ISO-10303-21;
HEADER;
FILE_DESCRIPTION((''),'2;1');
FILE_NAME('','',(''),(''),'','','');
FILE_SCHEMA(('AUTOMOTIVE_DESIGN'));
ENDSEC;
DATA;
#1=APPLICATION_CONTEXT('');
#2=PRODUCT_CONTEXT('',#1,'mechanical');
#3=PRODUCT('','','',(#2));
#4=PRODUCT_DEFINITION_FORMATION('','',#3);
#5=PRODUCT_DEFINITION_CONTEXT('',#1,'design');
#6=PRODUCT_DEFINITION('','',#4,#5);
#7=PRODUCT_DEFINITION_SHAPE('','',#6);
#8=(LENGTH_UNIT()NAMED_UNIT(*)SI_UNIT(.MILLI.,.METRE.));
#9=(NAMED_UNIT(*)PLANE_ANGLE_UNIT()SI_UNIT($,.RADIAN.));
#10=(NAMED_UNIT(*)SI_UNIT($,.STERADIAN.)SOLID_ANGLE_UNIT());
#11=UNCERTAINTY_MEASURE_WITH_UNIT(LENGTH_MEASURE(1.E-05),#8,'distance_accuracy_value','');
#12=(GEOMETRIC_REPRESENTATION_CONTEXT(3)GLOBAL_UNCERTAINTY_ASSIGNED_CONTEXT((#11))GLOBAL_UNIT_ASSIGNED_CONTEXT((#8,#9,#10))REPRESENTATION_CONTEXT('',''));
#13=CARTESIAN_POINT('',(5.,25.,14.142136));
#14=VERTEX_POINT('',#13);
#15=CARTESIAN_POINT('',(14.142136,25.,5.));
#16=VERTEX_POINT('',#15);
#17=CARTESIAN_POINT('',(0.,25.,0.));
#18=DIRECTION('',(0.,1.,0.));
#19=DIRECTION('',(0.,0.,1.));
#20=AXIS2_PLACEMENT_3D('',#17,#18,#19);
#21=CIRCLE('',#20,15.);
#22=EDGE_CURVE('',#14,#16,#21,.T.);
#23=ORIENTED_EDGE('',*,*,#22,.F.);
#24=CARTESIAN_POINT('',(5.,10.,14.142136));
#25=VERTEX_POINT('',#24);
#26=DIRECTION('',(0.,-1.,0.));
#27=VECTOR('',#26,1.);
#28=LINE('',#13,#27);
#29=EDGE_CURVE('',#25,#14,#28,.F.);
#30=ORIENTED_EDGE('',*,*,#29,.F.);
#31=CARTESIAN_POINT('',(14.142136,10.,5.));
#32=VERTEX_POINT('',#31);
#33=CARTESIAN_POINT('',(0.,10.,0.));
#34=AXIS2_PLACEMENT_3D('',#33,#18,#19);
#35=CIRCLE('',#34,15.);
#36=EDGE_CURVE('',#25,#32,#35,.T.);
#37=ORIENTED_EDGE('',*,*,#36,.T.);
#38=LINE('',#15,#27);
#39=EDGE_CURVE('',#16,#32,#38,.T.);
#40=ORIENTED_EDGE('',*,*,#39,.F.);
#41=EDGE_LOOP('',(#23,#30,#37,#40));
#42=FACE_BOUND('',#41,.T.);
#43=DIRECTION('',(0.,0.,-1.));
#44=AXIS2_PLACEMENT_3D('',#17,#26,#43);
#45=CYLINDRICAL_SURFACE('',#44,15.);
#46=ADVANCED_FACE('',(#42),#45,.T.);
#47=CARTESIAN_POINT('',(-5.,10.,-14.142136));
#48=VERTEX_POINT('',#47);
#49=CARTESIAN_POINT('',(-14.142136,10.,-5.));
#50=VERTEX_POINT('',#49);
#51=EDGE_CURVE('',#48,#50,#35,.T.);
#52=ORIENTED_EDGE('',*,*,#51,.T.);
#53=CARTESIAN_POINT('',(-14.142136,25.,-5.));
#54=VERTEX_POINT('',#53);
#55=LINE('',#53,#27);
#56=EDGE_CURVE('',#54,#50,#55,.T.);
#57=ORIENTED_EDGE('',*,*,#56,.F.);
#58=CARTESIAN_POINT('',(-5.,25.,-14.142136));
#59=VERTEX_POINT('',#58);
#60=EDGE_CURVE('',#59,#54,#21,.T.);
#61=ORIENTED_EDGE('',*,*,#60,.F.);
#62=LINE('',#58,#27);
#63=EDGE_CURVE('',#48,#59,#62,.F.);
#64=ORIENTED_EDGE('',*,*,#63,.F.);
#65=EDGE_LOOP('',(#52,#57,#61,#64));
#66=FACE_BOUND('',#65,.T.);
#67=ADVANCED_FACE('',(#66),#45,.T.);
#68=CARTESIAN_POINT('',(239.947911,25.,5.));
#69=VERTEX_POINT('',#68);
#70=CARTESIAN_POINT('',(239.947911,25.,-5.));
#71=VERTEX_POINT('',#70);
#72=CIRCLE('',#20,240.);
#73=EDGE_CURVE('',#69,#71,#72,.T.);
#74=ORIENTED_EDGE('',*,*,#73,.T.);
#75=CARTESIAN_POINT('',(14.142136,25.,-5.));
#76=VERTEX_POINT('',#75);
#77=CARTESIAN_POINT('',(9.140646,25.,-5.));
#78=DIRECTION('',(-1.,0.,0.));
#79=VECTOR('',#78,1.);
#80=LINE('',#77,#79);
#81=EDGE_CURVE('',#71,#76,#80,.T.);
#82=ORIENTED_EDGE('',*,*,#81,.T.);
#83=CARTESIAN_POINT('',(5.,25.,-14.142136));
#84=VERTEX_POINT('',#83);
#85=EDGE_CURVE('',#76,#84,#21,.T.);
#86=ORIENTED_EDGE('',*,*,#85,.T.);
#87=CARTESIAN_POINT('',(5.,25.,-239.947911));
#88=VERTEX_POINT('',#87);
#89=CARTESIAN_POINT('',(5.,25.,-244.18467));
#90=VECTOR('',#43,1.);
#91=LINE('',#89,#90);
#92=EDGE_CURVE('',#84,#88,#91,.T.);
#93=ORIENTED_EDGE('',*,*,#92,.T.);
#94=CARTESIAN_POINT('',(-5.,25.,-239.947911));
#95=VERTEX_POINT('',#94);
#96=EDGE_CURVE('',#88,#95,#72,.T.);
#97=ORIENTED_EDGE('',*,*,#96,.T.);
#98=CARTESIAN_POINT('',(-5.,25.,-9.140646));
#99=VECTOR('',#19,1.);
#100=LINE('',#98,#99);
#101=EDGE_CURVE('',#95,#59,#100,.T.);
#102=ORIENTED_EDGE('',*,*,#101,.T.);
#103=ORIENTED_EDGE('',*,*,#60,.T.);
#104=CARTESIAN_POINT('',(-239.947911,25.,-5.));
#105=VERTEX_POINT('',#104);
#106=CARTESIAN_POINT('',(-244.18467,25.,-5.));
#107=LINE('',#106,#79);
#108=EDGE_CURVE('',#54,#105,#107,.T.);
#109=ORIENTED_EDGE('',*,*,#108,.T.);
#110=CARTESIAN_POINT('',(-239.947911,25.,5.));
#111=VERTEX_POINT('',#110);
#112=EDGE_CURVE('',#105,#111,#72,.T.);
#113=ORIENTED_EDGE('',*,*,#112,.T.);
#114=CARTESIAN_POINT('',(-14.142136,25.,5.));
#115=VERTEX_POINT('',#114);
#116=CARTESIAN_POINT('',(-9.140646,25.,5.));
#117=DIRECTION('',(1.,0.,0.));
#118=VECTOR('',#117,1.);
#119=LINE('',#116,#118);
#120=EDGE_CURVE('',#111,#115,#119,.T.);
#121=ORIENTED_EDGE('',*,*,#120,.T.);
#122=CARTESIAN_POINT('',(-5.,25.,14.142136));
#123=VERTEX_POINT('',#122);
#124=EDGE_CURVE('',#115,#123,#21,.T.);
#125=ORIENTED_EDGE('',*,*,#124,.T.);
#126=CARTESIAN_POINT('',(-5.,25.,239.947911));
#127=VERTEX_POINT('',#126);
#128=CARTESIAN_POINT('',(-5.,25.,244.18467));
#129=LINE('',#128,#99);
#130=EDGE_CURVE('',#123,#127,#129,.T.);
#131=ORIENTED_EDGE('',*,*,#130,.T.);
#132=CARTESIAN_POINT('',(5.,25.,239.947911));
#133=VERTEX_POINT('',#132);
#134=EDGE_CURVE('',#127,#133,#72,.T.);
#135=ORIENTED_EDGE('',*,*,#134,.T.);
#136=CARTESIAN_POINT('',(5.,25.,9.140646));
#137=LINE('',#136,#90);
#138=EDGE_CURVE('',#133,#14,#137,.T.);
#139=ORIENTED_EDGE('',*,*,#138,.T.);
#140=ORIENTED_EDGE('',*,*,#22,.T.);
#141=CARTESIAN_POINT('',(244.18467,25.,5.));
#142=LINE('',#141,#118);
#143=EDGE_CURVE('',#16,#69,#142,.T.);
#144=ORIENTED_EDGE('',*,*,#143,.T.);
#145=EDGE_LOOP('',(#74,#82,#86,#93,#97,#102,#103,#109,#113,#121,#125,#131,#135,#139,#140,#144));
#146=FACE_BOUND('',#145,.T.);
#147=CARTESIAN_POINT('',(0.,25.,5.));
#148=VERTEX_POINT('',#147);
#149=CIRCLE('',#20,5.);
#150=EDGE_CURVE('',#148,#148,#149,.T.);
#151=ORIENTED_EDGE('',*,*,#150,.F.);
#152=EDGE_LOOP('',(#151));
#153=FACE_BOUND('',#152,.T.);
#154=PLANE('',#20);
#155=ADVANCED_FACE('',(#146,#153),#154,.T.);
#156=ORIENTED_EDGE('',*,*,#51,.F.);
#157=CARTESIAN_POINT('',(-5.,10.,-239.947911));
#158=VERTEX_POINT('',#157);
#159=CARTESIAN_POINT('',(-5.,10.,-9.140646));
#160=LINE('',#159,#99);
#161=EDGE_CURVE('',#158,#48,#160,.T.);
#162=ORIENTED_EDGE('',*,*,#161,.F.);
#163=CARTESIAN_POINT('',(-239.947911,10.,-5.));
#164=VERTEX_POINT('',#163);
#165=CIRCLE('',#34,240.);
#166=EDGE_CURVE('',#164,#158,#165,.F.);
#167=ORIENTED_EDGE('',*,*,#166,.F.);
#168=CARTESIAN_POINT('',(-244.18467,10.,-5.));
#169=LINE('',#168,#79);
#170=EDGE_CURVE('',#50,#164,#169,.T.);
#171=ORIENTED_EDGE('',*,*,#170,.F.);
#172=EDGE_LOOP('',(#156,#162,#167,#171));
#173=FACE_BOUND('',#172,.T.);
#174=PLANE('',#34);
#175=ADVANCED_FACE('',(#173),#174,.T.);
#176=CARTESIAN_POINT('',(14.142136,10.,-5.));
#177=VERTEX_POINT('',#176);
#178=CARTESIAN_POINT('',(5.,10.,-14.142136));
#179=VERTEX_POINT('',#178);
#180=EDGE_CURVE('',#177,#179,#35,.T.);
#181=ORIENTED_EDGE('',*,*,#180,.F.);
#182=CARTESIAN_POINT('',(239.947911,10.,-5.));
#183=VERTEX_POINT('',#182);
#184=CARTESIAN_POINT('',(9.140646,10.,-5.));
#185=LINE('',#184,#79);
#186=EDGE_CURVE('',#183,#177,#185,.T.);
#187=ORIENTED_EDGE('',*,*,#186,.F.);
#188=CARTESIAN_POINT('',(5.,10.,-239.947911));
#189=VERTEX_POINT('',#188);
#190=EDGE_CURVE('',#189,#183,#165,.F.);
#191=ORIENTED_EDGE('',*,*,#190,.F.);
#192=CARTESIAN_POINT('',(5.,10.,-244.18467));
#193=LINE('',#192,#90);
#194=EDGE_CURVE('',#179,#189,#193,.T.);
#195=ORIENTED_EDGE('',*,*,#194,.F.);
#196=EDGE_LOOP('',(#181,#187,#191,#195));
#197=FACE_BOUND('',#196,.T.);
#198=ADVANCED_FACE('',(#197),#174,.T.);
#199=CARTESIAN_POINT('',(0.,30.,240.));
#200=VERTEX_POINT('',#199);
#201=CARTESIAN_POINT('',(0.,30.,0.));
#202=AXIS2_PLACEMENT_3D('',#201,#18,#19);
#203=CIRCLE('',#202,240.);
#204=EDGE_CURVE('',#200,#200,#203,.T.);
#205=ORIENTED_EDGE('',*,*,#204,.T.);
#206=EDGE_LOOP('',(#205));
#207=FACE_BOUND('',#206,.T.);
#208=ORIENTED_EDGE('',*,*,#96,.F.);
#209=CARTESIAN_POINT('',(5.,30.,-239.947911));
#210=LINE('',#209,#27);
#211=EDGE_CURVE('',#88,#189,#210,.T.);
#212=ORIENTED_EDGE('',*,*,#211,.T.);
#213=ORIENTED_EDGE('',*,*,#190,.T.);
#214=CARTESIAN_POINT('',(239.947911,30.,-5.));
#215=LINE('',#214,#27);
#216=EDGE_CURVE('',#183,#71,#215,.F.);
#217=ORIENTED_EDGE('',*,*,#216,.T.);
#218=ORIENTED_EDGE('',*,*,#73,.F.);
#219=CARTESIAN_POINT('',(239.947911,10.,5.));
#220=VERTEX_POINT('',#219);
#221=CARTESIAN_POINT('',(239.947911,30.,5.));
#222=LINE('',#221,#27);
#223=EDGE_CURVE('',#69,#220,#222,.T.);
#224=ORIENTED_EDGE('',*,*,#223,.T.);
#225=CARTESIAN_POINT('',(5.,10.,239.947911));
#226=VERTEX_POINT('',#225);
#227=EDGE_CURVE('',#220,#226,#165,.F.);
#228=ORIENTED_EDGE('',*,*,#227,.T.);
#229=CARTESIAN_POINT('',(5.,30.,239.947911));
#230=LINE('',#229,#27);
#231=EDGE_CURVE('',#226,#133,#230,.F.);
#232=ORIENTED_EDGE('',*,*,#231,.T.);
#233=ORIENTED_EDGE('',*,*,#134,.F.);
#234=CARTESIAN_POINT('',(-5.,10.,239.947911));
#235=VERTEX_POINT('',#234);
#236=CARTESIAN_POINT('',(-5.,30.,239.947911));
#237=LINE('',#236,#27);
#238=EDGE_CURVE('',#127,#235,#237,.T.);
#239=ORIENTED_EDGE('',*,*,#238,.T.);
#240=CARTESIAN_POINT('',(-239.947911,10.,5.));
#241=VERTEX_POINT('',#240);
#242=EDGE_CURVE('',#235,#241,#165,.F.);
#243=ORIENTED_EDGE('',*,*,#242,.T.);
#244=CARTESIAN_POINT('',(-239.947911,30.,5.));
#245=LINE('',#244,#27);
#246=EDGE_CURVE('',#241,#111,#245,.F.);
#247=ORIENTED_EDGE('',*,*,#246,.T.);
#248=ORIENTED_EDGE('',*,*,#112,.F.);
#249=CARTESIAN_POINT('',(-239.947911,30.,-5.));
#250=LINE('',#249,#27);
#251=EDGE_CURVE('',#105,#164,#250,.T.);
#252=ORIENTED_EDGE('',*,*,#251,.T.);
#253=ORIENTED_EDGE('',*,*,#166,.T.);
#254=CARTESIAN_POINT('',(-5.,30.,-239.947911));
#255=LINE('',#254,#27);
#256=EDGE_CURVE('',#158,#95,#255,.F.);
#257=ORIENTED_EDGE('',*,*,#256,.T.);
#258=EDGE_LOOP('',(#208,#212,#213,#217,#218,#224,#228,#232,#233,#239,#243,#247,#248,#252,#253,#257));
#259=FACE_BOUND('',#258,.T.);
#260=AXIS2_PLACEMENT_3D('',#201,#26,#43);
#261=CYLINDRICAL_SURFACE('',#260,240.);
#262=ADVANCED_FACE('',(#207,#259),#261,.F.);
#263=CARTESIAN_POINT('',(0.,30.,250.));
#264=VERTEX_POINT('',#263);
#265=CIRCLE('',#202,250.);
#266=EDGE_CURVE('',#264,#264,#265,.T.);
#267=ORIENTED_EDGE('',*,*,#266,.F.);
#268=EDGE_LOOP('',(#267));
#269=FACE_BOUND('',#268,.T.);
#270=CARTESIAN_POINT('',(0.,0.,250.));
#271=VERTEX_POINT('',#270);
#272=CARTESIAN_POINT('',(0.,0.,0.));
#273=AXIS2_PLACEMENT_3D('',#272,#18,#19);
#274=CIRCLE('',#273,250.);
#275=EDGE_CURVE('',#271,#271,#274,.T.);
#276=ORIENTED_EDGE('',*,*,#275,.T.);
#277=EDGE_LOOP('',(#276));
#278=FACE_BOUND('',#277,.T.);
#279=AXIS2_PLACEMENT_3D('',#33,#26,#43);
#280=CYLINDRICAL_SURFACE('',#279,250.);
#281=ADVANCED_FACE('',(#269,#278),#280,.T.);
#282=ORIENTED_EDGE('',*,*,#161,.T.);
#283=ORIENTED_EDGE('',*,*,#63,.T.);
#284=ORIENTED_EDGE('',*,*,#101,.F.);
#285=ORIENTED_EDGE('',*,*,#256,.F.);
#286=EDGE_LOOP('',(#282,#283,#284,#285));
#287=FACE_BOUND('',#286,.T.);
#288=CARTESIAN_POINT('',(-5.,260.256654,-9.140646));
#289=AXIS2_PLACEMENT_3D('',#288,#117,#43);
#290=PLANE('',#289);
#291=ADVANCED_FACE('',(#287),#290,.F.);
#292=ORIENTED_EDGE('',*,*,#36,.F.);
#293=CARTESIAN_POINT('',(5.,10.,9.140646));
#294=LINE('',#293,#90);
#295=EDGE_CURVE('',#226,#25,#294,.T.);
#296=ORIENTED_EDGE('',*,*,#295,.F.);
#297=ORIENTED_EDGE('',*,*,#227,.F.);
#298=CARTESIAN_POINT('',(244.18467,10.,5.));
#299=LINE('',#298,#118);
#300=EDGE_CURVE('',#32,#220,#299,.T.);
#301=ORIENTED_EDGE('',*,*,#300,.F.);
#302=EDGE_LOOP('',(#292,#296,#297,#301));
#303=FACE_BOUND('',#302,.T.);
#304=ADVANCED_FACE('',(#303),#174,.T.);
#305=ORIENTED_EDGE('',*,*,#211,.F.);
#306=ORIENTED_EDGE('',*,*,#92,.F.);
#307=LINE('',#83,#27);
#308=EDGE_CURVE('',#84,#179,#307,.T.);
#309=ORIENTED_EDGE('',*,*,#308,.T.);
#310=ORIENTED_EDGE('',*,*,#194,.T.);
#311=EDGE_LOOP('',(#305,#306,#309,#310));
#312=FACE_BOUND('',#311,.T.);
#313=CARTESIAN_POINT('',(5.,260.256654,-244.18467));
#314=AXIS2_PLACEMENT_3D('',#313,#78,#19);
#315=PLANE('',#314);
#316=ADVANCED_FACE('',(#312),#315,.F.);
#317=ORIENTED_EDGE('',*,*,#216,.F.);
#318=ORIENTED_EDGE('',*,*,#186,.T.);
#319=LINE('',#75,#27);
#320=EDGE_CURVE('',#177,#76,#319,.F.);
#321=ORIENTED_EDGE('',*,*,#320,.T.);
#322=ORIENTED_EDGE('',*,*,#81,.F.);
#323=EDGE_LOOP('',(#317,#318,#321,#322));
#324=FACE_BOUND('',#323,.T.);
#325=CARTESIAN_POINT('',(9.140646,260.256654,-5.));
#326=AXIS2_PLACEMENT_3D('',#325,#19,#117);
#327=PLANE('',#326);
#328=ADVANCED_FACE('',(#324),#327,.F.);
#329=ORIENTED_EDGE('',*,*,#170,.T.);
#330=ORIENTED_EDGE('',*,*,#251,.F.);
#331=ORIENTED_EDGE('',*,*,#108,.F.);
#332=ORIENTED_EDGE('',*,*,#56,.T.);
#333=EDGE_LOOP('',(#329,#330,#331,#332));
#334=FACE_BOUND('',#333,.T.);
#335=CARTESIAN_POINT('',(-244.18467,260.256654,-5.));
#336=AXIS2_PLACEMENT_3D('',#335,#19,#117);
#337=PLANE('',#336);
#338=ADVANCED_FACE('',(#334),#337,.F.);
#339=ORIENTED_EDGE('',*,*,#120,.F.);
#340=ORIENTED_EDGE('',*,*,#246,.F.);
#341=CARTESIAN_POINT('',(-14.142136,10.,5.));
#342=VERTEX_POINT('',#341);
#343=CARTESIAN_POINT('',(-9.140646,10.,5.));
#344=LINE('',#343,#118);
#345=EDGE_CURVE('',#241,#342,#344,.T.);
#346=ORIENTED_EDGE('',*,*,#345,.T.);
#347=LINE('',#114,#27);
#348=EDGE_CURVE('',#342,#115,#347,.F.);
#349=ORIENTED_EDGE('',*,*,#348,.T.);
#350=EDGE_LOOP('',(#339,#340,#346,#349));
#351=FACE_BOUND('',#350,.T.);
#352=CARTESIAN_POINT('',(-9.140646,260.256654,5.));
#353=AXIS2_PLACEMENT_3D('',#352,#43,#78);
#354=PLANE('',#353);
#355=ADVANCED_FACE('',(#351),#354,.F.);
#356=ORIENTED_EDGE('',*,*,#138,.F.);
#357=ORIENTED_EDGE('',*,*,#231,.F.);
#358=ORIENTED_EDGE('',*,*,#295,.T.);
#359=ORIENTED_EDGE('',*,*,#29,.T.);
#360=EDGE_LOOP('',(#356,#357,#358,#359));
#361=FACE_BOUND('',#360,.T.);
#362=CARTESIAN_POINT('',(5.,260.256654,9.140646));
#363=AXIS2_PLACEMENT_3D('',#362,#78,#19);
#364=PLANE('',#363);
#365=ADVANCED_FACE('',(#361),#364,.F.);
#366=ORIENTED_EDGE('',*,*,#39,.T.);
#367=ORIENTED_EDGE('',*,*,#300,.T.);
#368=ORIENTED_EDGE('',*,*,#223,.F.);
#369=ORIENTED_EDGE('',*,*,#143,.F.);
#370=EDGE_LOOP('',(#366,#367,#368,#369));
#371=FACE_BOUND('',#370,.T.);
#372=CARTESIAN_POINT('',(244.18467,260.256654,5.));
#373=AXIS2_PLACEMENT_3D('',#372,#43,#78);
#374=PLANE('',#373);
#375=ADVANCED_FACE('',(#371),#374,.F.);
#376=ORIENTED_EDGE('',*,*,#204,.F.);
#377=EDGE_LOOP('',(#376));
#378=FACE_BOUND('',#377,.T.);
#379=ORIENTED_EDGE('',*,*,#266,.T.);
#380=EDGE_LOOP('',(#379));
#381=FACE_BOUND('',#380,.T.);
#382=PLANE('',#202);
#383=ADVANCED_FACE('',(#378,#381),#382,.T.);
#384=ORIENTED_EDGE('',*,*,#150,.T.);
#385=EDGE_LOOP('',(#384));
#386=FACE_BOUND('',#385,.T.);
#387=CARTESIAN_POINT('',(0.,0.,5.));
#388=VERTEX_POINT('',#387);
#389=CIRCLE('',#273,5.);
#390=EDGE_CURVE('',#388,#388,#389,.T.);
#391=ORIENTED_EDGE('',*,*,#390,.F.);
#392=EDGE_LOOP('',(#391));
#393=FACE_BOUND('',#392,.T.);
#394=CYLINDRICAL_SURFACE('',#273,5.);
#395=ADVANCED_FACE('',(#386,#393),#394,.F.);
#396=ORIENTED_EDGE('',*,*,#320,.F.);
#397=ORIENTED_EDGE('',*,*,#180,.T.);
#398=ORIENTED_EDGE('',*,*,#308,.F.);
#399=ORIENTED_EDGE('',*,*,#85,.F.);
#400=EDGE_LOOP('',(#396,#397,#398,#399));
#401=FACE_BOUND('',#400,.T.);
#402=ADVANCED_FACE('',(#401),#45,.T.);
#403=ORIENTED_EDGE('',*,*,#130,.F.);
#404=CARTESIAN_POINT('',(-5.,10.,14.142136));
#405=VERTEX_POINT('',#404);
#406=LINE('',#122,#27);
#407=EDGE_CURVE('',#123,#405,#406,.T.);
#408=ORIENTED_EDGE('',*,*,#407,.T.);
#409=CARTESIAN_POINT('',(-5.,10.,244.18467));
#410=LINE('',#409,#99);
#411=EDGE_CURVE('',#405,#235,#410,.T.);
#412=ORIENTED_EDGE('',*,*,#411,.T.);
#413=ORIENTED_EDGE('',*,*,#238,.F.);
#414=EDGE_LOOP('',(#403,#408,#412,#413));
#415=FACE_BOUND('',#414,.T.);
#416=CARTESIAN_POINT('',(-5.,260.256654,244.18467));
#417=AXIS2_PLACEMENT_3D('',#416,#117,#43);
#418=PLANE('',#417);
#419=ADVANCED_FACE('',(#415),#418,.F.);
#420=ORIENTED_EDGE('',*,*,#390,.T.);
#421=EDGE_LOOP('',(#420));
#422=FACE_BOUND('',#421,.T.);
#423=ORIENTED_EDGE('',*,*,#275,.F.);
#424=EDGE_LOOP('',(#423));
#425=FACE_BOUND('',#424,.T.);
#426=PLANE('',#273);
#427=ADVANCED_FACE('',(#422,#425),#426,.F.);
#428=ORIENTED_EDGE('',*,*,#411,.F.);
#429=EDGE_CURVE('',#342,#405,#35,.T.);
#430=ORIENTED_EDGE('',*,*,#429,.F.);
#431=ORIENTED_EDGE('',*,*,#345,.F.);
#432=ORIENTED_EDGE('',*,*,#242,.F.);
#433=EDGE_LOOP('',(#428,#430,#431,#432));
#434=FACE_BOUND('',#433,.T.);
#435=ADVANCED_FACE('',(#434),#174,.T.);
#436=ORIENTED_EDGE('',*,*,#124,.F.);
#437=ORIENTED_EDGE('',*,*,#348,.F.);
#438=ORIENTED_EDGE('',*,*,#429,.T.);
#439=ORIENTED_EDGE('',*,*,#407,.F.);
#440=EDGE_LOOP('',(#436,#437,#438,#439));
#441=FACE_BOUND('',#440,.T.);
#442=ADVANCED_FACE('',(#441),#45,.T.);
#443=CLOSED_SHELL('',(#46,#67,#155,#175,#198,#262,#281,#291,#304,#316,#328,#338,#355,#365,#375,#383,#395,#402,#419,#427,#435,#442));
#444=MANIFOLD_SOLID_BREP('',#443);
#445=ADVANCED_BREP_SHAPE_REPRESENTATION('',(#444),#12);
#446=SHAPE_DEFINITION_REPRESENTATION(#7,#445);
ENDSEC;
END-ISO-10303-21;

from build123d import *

# Parameters (mm, degrees)
CROQUIS1_R              = 250
SALIENTE_EXTRUIR1_DEPTH = 10
CROQUIS2_R              = 250
CROQUIS2_R_2            = 240
SALIENTE_EXTRUIR2_DEPTH = 20
CROQUIS3_R              = 15
SALIENTE_EXTRUIR3_DEPTH = 15
CROQUIS4_R              = 5
CORTAR_EXTRUIR1_DEPTH   = 355.436171969
CROQUIS5_W              = 235.044023843
CROQUIS5_H              = 10
CROQUIS5_W_2            = 10
CROQUIS5_H_2            = 235.044023843
SALIENTE_EXTRUIR4_DEPTH = 15


with BuildPart() as part:
    # Croquis1 → Saliente-Extruir1 (new body)
    with BuildSketch(Plane(origin=(0, 0, 0), x_dir=(1, 0, 0), z_dir=(0, 1, 0))):
        with Locations(Location((0, 0, 0), (0, 0, 270))):
            Circle(CROQUIS1_R)
    extrude(amount=SALIENTE_EXTRUIR1_DEPTH)

    # Croquis2 → Saliente-Extruir2 (add)
    with BuildSketch(Plane(origin=(0, 10, 0), x_dir=(1, 0, 0), z_dir=(0, 1, 0))):
        with Locations(Location((0, 0, 0), (0, 0, 270))):
            Circle(CROQUIS2_R)
        with Locations(Location((0, 0, 0), (0, 0, 270))):
            Circle(CROQUIS2_R_2, mode=Mode.SUBTRACT)
    extrude(amount=SALIENTE_EXTRUIR2_DEPTH)

    # Croquis3 → Saliente-Extruir3 (add)
    with BuildSketch(Plane(origin=(0, 10, 0), x_dir=(1, 0, 0), z_dir=(0, 1, 0))):
        with Locations(Location((0, 0, 0), (0, 0, 270))):
            Circle(CROQUIS3_R)
    extrude(amount=SALIENTE_EXTRUIR3_DEPTH)

    # Croquis4 → Cortar-Extruir1 (cut, through all)
    with BuildSketch(Plane(origin=(0, 25, 0), x_dir=(1, 0, 0), z_dir=(0, 1, 0))):
        with Locations(Location((0, 0, 0), (0, 0, 270))):
            Circle(CROQUIS4_R)
    extrude(amount=-CORTAR_EXTRUIR1_DEPTH, mode=Mode.SUBTRACT)

    # Croquis5 → Saliente-Extruir4 (add)
    with BuildSketch(Plane(origin=(0, 10, 0), x_dir=(1, 0, 0), z_dir=(0, 1, 0))):
        with Locations((126.662657579, 0)):
            Rectangle(CROQUIS5_W, CROQUIS5_H)
        with Locations((0, -126.662657579)):
            Rectangle(CROQUIS5_W_2, CROQUIS5_H_2)
        with Locations((-126.662657579, 0)):
            Rectangle(CROQUIS5_W, CROQUIS5_H)
        with Locations((0, 126.662657579)):
            Rectangle(CROQUIS5_W_2, CROQUIS5_H_2)
    extrude(amount=SALIENTE_EXTRUIR4_DEPTH)


solid = part.part
